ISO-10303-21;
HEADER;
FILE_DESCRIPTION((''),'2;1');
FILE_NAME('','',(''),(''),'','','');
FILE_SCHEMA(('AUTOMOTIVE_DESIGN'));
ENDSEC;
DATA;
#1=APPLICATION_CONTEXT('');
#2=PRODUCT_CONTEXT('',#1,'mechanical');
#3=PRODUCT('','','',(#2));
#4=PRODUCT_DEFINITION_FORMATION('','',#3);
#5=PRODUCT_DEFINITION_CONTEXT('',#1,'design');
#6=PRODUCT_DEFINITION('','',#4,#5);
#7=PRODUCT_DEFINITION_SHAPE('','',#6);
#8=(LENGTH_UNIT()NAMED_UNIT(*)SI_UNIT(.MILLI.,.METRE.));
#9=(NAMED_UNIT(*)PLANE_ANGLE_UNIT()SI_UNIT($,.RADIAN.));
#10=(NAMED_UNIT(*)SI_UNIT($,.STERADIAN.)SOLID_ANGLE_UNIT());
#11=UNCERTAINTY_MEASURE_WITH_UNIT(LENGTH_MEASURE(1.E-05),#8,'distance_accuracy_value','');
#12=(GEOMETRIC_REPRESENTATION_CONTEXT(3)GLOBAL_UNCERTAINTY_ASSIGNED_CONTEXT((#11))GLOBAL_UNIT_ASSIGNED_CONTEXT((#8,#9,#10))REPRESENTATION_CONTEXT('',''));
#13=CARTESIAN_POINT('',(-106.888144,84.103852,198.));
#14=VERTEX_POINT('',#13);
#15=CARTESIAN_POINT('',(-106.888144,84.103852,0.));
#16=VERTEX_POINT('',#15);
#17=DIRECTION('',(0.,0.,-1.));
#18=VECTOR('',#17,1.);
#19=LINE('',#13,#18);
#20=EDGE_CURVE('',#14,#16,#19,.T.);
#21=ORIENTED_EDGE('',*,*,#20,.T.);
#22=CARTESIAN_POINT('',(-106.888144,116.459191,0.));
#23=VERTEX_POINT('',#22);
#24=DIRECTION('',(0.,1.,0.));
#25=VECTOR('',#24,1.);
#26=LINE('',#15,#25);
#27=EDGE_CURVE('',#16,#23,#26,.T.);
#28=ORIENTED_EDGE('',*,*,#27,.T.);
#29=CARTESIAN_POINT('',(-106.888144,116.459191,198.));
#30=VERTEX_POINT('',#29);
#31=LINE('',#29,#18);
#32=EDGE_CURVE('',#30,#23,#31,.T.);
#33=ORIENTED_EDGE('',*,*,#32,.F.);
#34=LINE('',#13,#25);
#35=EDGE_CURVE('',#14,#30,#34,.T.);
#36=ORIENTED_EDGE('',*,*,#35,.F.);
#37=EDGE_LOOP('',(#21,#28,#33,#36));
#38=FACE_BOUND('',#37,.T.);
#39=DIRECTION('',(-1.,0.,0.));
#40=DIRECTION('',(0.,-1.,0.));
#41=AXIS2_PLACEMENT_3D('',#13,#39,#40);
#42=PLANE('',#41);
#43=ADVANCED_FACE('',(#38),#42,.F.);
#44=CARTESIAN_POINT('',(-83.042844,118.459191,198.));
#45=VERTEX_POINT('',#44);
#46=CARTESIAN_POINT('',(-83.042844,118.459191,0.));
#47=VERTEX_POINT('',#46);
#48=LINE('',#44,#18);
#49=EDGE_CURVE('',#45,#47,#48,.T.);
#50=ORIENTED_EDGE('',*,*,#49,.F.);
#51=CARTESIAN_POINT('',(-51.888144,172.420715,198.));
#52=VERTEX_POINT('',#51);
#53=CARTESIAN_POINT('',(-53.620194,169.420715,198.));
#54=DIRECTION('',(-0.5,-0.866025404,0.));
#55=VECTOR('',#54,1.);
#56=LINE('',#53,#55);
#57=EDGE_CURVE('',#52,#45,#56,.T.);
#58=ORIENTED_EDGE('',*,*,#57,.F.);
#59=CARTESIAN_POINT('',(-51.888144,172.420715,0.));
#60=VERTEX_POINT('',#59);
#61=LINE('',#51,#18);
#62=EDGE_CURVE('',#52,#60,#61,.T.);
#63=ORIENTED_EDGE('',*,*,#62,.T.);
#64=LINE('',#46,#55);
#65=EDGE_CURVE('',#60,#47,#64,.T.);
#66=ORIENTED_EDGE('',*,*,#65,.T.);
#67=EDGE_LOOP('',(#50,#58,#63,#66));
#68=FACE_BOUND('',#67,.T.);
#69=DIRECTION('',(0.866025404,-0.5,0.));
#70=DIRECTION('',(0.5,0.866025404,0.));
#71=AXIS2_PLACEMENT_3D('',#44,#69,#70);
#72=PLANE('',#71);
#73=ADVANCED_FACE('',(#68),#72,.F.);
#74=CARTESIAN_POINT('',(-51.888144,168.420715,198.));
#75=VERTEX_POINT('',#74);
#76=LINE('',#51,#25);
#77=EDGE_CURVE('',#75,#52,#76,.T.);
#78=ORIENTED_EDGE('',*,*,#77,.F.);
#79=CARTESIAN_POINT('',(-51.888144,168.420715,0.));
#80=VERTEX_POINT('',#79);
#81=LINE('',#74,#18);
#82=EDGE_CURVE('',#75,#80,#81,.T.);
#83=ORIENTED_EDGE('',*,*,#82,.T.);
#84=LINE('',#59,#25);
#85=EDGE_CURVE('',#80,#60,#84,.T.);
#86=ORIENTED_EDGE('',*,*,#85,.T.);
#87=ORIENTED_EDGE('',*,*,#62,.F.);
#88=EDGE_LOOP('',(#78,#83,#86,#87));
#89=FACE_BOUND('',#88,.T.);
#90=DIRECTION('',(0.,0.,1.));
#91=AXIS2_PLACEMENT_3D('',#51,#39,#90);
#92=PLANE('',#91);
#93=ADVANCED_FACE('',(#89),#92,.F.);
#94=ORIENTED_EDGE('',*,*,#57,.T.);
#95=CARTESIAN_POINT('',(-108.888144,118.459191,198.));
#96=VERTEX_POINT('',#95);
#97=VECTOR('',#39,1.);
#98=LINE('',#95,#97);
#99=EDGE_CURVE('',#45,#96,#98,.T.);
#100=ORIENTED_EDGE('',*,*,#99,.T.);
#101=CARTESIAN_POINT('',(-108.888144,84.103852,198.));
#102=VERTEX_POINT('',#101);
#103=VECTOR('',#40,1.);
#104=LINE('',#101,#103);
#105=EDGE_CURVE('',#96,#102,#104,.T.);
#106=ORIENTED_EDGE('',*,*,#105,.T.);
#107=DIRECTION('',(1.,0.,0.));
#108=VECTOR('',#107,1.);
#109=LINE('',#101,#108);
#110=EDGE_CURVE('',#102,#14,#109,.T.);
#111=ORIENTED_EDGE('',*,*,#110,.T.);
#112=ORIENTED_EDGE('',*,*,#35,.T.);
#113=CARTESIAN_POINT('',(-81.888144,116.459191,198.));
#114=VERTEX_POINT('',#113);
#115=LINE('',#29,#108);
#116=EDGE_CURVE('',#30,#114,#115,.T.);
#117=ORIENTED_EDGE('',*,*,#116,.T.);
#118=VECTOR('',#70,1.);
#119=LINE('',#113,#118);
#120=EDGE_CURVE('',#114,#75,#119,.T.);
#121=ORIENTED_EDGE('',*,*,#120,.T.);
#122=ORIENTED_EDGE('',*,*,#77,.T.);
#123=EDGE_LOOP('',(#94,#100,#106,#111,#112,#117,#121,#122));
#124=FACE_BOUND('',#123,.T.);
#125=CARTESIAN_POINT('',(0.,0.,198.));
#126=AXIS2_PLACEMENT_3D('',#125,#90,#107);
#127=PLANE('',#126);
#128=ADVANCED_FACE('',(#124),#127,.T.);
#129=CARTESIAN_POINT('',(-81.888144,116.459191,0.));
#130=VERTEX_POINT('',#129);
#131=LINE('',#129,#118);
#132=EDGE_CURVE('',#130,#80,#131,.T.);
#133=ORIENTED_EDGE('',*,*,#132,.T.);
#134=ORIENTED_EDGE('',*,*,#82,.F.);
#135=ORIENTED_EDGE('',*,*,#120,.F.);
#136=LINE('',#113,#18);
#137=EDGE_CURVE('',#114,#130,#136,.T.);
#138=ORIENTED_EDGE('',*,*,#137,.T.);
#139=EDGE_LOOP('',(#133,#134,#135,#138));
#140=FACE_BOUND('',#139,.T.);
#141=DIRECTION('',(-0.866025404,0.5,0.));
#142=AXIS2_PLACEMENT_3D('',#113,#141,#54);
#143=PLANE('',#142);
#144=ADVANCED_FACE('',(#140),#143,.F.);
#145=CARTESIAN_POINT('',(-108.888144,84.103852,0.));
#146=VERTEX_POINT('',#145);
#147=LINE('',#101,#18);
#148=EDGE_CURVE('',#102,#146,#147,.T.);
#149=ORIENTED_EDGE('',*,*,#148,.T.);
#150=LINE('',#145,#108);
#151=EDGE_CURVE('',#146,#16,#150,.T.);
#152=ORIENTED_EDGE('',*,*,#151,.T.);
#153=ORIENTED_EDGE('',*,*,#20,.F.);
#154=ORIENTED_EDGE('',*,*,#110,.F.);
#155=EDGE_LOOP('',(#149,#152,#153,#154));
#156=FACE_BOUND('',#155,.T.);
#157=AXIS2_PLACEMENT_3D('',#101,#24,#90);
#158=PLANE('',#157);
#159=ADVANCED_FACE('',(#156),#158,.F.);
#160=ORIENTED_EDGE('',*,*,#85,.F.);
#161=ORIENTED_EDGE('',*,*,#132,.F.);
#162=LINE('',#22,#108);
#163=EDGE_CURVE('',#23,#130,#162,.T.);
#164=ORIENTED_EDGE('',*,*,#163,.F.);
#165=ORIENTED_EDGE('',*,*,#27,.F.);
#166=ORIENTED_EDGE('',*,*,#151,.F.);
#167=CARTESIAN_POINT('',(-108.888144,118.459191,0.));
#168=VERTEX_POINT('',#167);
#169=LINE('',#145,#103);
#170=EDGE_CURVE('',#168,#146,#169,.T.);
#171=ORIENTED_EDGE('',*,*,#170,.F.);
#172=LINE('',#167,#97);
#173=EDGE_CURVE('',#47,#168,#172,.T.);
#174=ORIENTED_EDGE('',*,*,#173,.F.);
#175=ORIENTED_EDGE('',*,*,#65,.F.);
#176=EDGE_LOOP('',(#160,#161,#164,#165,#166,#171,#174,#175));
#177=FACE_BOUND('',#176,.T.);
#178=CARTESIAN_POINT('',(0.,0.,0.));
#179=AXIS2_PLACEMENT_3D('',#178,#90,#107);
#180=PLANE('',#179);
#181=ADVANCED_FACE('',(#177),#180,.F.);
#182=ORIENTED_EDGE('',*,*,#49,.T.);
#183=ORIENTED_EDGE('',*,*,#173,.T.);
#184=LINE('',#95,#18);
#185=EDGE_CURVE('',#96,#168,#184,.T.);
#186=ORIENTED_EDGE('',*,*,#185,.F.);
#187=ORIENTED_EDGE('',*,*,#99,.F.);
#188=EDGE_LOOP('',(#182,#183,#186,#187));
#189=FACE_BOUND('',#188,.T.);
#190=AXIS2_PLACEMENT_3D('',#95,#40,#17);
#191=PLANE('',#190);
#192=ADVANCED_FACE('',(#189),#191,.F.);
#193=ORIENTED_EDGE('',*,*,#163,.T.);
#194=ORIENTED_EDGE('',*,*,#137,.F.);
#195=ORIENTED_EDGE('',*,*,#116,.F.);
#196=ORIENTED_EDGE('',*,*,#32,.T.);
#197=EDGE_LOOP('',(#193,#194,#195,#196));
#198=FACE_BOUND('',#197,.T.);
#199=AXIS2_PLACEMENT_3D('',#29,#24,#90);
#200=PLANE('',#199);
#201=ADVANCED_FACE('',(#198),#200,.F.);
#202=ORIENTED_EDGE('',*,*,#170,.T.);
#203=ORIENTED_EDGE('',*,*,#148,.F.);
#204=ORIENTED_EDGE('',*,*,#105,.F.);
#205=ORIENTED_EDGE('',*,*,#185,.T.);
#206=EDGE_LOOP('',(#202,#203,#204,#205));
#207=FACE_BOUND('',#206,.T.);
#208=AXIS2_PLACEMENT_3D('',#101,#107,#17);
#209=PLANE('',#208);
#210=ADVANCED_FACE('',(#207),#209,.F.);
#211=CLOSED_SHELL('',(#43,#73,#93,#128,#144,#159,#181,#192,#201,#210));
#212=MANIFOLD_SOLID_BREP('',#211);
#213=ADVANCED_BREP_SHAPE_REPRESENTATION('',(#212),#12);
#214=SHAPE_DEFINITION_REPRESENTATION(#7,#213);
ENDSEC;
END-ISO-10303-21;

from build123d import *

# Parameters (mm, degrees)
BOSS_EXTRUDE1_DEPTH = 198


with BuildPart() as part:
    # Sketch1 → Boss-Extrude1 (new body)
    with BuildSketch(Plane.XY):
        Polygon((-106.888143666, 84.103851756), (-106.888143666, 116.459190816), (-81.888143666, 116.459190816), (-51.888143666, 168.420715043), (-51.888143666, 172.420715043), (-53.620194473, 169.420715043), (-83.042844204, 118.459190816), (-108.888143666, 118.459190816), (-108.888143666, 84.103851756), align=None)
    extrude(amount=BOSS_EXTRUDE1_DEPTH)


solid = part.part
